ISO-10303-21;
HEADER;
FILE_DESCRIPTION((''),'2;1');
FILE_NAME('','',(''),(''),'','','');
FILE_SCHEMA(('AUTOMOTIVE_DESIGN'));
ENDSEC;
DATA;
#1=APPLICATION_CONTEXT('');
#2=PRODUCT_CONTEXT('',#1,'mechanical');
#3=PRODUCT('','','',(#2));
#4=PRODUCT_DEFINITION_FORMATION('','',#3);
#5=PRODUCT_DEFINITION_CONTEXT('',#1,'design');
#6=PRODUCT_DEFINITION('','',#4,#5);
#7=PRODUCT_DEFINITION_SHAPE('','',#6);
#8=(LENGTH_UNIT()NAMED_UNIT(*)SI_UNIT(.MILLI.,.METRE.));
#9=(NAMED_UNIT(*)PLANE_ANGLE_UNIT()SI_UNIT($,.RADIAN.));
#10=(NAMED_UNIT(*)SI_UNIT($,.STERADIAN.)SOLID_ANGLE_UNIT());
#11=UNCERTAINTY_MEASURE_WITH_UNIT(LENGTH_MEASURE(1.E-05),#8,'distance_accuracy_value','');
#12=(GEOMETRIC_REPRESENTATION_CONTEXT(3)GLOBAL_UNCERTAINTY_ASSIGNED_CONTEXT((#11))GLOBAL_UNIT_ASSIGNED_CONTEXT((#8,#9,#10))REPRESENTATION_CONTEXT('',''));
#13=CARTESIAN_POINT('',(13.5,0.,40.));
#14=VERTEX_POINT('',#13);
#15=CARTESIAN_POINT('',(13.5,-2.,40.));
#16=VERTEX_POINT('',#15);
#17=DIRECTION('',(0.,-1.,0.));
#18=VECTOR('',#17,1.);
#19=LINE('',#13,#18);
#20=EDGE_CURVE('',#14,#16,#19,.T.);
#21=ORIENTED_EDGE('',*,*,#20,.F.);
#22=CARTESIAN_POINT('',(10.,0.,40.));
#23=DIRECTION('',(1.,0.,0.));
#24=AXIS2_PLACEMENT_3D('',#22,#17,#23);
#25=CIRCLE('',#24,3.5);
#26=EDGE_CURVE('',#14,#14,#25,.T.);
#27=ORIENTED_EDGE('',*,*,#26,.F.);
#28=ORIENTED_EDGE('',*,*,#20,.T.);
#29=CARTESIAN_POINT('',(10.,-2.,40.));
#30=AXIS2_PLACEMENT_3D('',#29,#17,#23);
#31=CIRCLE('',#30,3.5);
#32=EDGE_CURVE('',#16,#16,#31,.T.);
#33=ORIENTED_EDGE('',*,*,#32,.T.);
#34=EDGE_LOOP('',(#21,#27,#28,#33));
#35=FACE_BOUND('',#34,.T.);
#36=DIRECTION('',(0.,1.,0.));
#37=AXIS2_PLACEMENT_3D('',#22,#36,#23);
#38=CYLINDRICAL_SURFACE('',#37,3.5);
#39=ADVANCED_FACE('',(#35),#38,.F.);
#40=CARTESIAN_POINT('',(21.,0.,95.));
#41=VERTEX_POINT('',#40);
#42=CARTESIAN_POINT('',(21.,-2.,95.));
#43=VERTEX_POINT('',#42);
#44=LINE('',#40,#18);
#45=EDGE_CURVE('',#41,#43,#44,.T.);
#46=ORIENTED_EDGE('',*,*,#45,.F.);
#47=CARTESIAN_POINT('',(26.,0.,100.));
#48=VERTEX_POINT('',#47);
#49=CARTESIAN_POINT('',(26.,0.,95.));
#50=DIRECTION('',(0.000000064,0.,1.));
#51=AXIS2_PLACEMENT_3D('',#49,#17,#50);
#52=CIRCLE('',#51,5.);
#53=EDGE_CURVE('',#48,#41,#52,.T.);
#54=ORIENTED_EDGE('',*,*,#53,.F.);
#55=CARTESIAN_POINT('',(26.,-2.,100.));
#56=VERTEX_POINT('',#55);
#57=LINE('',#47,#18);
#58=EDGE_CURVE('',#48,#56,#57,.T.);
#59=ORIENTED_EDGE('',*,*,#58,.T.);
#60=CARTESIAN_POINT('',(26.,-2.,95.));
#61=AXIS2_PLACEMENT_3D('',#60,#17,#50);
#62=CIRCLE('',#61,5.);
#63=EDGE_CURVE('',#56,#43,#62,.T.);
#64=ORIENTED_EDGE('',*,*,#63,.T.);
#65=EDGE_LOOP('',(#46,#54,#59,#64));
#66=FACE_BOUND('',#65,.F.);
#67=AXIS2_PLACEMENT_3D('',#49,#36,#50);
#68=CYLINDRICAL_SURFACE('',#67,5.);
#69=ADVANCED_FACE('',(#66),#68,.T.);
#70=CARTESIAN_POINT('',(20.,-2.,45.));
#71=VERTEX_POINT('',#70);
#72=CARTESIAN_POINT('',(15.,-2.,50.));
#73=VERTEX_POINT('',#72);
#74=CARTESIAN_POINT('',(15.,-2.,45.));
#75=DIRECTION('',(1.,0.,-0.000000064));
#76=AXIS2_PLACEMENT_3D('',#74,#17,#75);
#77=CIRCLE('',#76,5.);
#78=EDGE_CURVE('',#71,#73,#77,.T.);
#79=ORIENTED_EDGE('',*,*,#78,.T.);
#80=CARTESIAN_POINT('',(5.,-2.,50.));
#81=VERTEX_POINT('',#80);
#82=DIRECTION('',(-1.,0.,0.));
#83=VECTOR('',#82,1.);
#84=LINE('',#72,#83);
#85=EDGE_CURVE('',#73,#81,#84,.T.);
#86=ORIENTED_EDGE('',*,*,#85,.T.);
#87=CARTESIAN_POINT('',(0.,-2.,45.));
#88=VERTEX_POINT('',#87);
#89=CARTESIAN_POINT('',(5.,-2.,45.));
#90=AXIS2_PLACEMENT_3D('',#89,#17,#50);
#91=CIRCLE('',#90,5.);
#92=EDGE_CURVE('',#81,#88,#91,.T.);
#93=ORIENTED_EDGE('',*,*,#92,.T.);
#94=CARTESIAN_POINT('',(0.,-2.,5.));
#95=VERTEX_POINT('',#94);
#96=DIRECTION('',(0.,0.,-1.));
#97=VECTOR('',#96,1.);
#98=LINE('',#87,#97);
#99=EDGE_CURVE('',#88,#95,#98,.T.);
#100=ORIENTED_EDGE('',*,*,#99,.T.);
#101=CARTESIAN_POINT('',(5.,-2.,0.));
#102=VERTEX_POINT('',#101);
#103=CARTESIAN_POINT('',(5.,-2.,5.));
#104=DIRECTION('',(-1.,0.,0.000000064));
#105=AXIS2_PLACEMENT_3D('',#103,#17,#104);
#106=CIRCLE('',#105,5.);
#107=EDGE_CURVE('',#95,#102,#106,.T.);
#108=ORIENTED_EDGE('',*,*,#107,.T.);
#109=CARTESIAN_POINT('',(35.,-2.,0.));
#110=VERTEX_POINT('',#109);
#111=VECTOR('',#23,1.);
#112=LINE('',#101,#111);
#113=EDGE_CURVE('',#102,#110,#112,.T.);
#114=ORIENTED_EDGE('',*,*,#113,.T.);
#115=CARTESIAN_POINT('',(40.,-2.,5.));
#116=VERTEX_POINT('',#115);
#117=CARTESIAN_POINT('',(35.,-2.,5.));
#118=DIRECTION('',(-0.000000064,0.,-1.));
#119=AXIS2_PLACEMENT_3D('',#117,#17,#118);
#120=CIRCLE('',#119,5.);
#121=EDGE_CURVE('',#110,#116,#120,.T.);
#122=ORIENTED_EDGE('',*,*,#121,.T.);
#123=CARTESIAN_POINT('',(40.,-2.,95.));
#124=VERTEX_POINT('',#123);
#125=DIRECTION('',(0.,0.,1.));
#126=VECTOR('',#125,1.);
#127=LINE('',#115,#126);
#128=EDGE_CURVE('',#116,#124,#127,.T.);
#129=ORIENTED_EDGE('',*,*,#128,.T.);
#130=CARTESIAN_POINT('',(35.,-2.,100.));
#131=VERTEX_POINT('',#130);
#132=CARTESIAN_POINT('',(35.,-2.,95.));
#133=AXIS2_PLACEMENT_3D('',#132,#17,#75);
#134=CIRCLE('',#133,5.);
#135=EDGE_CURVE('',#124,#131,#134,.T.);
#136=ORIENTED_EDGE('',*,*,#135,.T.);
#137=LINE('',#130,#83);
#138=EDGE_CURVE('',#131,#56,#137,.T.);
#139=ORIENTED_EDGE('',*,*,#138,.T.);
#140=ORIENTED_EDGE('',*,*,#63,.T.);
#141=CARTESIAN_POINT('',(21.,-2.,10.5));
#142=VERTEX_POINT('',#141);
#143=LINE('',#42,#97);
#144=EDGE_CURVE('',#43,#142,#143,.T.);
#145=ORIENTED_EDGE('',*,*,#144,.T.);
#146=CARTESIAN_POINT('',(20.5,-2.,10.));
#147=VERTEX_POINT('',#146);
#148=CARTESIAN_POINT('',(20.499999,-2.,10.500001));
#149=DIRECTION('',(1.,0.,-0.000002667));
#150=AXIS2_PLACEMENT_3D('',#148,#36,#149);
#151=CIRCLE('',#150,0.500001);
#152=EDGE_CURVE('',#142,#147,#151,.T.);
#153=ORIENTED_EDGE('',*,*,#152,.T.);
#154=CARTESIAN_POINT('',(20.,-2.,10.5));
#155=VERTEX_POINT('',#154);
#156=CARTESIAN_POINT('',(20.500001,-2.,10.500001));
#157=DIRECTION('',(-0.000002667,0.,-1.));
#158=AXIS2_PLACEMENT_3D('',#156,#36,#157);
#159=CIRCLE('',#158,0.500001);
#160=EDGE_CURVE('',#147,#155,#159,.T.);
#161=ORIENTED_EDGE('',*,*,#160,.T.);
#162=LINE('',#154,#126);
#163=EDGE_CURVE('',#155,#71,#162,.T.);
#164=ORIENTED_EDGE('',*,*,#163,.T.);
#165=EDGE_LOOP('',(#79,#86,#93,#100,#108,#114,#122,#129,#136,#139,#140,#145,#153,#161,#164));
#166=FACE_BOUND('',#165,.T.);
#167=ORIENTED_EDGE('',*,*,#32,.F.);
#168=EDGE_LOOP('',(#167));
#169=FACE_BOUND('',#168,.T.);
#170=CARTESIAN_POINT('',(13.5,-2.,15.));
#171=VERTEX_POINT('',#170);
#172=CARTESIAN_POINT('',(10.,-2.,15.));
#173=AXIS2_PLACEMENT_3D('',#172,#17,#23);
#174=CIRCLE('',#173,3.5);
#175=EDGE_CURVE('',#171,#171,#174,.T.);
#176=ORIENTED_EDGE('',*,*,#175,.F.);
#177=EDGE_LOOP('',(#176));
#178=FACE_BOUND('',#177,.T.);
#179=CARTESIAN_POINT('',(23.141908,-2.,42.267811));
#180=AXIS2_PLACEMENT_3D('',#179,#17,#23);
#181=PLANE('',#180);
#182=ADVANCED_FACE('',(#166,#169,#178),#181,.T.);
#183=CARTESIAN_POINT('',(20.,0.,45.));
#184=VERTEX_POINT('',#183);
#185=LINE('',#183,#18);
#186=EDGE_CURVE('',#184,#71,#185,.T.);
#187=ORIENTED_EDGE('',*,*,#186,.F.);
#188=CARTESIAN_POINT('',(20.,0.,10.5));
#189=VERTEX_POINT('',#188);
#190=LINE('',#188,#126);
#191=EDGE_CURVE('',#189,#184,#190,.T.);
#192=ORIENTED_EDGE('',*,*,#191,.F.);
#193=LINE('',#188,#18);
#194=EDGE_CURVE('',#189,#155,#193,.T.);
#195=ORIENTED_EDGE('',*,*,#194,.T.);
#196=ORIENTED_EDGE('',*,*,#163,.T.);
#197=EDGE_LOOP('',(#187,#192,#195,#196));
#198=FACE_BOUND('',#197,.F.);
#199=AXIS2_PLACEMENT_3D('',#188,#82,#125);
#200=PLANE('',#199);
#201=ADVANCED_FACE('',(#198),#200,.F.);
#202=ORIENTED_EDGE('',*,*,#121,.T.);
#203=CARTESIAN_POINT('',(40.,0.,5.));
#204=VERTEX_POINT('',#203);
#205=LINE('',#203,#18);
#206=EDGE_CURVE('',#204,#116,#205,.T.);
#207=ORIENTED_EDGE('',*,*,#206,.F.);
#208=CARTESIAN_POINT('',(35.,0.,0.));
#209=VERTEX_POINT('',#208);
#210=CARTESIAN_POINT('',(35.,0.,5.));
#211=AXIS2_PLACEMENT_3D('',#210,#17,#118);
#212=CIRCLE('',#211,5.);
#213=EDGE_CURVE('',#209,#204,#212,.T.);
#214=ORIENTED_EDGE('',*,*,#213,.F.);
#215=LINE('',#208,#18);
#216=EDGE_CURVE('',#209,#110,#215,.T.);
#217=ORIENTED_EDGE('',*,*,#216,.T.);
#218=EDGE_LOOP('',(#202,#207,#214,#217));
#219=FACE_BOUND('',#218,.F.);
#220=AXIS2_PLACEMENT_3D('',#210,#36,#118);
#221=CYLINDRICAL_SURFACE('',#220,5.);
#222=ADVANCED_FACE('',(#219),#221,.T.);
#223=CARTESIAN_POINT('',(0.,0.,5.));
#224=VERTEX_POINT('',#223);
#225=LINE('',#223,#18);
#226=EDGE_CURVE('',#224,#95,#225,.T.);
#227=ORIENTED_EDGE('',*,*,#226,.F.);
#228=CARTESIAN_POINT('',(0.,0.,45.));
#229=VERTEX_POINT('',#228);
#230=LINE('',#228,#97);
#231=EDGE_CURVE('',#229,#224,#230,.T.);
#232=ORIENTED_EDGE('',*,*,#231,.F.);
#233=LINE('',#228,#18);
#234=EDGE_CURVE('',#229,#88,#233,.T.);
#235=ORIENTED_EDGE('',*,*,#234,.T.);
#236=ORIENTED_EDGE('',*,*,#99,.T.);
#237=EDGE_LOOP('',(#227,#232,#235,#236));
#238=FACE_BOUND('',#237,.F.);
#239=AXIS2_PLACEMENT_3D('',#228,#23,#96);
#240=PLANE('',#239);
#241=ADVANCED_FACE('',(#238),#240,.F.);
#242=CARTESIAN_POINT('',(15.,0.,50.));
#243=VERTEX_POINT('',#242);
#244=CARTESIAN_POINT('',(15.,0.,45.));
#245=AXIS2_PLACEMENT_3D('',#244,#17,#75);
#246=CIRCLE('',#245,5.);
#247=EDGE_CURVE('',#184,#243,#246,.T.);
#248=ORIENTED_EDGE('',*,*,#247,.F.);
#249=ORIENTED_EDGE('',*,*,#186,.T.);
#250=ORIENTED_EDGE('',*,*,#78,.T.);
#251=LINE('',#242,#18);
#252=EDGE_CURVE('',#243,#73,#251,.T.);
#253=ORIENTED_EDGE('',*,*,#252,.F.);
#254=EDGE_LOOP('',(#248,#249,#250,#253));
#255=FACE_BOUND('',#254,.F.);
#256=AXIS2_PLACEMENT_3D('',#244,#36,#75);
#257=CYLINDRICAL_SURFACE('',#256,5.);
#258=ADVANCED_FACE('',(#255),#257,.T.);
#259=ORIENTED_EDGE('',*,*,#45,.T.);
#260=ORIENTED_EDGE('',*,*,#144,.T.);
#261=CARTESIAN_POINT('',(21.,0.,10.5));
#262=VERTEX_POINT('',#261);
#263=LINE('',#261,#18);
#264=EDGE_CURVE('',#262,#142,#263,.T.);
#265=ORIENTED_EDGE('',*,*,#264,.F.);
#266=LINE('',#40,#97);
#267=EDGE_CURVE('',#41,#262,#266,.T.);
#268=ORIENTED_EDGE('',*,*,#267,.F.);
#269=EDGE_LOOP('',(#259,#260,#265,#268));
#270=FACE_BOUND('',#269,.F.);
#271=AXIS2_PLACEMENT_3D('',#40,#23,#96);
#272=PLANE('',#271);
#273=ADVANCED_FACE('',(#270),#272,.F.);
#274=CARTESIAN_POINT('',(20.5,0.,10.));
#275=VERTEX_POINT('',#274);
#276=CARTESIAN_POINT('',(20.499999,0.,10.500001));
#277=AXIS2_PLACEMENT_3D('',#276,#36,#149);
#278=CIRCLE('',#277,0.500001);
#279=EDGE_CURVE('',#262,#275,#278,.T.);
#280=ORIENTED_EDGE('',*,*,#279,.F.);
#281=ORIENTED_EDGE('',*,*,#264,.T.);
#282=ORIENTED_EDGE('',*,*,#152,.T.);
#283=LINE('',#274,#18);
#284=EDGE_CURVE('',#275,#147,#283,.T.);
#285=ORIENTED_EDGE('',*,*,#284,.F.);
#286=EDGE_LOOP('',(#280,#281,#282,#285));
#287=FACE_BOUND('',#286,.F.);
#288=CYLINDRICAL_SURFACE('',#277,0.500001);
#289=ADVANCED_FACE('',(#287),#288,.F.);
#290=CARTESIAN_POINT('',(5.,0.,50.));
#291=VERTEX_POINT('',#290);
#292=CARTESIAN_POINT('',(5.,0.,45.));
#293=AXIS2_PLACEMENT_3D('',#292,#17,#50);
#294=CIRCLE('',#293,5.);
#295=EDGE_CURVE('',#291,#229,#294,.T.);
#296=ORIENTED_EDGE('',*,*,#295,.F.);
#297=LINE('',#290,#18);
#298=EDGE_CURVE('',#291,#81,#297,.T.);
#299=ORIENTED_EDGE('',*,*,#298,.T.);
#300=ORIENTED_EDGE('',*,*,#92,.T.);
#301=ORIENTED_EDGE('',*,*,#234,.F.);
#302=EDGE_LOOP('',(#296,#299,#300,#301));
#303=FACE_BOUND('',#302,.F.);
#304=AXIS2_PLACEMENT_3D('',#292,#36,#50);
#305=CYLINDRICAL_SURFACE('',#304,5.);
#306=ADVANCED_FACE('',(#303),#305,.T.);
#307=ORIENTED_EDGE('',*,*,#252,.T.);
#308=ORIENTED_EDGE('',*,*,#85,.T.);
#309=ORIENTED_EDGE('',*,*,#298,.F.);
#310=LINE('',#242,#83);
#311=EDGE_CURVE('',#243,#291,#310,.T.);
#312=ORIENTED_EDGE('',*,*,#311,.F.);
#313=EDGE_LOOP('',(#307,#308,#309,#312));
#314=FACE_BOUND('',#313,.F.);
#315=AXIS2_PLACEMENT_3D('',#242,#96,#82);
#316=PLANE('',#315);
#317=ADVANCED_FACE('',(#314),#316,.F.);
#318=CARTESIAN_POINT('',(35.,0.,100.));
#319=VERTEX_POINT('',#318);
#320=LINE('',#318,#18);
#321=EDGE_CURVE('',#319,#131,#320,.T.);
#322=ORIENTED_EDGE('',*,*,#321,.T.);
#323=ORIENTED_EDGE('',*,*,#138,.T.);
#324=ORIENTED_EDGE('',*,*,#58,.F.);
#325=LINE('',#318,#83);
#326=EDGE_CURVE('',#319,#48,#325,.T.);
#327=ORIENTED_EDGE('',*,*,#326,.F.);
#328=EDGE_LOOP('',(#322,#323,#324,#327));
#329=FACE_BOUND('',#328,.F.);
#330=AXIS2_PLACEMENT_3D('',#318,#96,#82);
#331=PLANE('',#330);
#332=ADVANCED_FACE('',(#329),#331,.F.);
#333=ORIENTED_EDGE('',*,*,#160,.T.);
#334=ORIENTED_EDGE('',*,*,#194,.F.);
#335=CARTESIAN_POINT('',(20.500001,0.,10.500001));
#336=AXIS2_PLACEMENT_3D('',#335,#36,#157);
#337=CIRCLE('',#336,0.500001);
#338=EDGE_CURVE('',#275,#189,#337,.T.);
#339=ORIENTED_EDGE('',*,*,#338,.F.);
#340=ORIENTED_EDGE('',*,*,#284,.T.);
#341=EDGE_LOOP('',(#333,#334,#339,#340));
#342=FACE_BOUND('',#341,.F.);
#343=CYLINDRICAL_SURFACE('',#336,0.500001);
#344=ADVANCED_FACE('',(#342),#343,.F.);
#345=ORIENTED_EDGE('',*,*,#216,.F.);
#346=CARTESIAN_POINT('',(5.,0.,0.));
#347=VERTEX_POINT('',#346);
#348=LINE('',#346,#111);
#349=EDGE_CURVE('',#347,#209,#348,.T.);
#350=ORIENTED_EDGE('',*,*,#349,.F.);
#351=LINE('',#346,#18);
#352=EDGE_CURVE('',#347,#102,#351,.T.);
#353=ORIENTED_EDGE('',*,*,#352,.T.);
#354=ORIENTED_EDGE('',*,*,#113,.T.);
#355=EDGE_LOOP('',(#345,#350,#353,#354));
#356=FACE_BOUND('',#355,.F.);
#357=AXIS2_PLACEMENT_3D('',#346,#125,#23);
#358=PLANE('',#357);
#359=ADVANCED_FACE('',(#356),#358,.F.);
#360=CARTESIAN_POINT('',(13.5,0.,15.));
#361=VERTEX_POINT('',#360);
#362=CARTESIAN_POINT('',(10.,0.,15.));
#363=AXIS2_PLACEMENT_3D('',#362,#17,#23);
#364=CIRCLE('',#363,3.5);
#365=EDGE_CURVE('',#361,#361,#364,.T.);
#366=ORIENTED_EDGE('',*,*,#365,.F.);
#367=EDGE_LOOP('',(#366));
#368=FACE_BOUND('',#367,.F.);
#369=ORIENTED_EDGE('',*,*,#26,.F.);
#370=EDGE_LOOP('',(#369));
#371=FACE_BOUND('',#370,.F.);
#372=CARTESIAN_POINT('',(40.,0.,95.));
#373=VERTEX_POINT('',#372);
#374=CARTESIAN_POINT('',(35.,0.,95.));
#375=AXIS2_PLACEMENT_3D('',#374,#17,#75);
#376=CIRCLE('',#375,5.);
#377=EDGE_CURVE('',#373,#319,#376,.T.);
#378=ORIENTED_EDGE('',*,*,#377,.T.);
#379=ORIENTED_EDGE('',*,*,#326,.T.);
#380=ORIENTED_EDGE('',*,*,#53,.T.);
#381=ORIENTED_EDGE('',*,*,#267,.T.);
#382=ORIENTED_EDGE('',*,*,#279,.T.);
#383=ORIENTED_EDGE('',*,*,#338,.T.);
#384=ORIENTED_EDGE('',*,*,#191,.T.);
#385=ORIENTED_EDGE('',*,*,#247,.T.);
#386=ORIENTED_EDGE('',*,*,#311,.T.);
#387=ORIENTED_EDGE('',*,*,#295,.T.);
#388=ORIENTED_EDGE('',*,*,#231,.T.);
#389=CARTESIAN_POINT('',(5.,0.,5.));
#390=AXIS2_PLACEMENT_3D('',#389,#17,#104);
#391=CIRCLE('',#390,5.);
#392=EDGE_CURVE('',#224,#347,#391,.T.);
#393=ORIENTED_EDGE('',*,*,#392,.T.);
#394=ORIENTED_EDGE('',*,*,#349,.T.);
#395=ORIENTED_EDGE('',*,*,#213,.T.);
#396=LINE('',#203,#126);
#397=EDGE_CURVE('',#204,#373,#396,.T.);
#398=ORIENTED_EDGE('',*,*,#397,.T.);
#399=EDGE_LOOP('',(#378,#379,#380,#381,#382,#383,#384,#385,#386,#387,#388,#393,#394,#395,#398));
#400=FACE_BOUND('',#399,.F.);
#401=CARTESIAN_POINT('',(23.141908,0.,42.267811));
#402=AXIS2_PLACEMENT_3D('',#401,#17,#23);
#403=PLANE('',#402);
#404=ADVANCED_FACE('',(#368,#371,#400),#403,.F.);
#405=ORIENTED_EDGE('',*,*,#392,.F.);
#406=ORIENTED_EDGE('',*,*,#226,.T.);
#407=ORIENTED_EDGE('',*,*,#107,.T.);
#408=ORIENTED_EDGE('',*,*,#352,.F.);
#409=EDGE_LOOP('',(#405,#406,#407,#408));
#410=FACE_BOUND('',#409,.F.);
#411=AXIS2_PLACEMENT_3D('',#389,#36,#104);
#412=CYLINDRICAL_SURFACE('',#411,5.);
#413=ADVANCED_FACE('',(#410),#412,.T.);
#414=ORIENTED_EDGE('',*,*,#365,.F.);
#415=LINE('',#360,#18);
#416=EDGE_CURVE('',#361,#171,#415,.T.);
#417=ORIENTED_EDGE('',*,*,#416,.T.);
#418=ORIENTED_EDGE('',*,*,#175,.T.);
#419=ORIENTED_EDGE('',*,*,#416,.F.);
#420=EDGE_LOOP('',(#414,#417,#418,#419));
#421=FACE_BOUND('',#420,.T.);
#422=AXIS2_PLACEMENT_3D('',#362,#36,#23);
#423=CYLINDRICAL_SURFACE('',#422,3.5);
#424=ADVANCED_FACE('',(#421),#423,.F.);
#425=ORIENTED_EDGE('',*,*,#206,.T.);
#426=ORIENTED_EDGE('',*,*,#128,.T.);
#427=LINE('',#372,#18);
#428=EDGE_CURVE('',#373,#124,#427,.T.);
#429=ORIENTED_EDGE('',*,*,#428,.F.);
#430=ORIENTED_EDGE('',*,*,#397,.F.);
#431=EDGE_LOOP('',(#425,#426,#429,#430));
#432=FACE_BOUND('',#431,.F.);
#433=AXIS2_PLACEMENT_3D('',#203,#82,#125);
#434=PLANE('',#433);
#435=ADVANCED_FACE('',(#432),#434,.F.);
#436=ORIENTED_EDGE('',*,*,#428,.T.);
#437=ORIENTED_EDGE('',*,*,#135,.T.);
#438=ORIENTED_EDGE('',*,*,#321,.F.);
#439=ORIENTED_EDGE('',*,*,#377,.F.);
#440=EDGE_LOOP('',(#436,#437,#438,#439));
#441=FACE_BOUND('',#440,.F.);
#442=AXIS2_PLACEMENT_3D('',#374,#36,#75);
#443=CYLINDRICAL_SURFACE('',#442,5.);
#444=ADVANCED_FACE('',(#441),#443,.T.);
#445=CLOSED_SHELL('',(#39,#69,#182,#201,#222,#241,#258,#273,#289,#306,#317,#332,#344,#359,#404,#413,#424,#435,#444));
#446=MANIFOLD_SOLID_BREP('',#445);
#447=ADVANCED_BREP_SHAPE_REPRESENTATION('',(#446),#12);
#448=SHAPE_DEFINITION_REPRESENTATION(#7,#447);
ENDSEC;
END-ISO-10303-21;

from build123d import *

# Parameters (mm, degrees)
F0_R     = 3.5
F1_DEPTH = 2


with BuildPart() as f1:
    # F0 (on Front) → F1 (new body)
    with BuildSketch(Plane.XZ):
        with BuildLine():
            Line((0, 45), (0, 5))
            ThreePointArc((0, 5), (1.464466, 1.464466), (5, 0))
            Line((5, 0), (35, 0))
            ThreePointArc((35, 0), (38.535534, 1.464466), (40, 5))
            Line((40, 5), (40, 95))
            ThreePointArc((40, 95), (38.535534, 98.535534), (35, 100))
            Line((35, 100), (26, 100))
            ThreePointArc((26, 100), (22.464466, 98.535534), (21, 95))
            Line((21, 95), (21, 10.5))
            ThreePointArc((21, 10.5), (20.853553, 10.146447), (20.5, 10))
            ThreePointArc((20.5, 10), (20.146447, 10.146447), (20, 10.5))
            Line((20, 10.5), (20, 45))
            ThreePointArc((20, 45), (18.535534, 48.535534), (15, 50))
            Line((15, 50), (5, 50))
            ThreePointArc((5, 50), (1.464466, 48.535534), (0, 45))
        make_face()
        with Locations((10, 15)):
            Circle(F0_R, mode=Mode.SUBTRACT)
        with Locations((10, 40)):
            Circle(F0_R, mode=Mode.SUBTRACT)
    extrude(amount=F1_DEPTH)


solid = f1.part
